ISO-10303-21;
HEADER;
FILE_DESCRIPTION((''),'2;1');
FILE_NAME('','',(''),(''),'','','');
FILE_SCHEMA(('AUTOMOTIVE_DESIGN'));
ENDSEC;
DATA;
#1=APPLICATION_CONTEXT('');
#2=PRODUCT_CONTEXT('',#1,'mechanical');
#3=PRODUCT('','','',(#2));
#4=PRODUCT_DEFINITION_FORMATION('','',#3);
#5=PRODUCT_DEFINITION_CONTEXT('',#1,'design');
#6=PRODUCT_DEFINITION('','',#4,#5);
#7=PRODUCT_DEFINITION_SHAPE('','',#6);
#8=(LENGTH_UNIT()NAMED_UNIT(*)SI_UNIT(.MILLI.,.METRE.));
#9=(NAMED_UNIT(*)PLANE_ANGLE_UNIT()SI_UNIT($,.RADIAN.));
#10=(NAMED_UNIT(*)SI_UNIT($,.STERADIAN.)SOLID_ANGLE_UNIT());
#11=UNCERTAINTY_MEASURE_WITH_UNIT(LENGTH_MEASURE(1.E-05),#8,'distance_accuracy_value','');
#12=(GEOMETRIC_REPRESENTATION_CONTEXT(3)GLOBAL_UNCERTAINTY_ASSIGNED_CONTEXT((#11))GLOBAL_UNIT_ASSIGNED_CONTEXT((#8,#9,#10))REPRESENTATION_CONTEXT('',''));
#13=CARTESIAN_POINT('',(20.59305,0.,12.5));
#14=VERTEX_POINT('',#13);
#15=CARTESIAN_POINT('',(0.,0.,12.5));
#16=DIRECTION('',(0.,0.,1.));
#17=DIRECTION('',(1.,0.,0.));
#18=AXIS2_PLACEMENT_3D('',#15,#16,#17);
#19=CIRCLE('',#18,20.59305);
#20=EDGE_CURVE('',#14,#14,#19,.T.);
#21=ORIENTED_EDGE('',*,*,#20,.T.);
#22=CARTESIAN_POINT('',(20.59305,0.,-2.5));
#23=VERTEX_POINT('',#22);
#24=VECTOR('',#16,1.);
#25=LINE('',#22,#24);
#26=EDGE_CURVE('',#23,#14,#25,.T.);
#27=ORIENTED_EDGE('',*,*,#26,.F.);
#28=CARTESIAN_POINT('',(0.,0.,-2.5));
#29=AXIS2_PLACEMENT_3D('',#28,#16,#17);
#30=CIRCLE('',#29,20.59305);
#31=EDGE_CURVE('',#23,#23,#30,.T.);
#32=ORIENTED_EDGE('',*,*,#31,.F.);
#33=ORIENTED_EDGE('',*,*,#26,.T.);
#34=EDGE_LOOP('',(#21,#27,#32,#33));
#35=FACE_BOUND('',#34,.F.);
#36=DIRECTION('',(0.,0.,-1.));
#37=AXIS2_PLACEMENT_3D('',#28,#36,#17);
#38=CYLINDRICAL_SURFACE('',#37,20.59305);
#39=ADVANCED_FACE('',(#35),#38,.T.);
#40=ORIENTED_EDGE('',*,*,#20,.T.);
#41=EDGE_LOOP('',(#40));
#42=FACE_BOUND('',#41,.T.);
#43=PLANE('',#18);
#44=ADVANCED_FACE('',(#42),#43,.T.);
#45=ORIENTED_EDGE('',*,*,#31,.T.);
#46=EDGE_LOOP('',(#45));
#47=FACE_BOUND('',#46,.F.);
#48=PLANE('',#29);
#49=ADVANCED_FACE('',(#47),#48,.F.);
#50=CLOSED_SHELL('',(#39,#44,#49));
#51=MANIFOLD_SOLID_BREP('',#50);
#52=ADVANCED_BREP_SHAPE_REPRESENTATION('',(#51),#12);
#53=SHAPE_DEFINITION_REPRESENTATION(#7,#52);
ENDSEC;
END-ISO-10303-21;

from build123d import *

# Parameters (mm, degrees)
CYLINDER_R     = 20.59305
CYLINDER_DEPTH = 15


with BuildPart() as part:
    # Cylinder → Cylinder (new body)
    with BuildSketch(Plane.XY.offset(-2.5)):
        Circle(CYLINDER_R)
    extrude(amount=CYLINDER_DEPTH)


solid = part.part
